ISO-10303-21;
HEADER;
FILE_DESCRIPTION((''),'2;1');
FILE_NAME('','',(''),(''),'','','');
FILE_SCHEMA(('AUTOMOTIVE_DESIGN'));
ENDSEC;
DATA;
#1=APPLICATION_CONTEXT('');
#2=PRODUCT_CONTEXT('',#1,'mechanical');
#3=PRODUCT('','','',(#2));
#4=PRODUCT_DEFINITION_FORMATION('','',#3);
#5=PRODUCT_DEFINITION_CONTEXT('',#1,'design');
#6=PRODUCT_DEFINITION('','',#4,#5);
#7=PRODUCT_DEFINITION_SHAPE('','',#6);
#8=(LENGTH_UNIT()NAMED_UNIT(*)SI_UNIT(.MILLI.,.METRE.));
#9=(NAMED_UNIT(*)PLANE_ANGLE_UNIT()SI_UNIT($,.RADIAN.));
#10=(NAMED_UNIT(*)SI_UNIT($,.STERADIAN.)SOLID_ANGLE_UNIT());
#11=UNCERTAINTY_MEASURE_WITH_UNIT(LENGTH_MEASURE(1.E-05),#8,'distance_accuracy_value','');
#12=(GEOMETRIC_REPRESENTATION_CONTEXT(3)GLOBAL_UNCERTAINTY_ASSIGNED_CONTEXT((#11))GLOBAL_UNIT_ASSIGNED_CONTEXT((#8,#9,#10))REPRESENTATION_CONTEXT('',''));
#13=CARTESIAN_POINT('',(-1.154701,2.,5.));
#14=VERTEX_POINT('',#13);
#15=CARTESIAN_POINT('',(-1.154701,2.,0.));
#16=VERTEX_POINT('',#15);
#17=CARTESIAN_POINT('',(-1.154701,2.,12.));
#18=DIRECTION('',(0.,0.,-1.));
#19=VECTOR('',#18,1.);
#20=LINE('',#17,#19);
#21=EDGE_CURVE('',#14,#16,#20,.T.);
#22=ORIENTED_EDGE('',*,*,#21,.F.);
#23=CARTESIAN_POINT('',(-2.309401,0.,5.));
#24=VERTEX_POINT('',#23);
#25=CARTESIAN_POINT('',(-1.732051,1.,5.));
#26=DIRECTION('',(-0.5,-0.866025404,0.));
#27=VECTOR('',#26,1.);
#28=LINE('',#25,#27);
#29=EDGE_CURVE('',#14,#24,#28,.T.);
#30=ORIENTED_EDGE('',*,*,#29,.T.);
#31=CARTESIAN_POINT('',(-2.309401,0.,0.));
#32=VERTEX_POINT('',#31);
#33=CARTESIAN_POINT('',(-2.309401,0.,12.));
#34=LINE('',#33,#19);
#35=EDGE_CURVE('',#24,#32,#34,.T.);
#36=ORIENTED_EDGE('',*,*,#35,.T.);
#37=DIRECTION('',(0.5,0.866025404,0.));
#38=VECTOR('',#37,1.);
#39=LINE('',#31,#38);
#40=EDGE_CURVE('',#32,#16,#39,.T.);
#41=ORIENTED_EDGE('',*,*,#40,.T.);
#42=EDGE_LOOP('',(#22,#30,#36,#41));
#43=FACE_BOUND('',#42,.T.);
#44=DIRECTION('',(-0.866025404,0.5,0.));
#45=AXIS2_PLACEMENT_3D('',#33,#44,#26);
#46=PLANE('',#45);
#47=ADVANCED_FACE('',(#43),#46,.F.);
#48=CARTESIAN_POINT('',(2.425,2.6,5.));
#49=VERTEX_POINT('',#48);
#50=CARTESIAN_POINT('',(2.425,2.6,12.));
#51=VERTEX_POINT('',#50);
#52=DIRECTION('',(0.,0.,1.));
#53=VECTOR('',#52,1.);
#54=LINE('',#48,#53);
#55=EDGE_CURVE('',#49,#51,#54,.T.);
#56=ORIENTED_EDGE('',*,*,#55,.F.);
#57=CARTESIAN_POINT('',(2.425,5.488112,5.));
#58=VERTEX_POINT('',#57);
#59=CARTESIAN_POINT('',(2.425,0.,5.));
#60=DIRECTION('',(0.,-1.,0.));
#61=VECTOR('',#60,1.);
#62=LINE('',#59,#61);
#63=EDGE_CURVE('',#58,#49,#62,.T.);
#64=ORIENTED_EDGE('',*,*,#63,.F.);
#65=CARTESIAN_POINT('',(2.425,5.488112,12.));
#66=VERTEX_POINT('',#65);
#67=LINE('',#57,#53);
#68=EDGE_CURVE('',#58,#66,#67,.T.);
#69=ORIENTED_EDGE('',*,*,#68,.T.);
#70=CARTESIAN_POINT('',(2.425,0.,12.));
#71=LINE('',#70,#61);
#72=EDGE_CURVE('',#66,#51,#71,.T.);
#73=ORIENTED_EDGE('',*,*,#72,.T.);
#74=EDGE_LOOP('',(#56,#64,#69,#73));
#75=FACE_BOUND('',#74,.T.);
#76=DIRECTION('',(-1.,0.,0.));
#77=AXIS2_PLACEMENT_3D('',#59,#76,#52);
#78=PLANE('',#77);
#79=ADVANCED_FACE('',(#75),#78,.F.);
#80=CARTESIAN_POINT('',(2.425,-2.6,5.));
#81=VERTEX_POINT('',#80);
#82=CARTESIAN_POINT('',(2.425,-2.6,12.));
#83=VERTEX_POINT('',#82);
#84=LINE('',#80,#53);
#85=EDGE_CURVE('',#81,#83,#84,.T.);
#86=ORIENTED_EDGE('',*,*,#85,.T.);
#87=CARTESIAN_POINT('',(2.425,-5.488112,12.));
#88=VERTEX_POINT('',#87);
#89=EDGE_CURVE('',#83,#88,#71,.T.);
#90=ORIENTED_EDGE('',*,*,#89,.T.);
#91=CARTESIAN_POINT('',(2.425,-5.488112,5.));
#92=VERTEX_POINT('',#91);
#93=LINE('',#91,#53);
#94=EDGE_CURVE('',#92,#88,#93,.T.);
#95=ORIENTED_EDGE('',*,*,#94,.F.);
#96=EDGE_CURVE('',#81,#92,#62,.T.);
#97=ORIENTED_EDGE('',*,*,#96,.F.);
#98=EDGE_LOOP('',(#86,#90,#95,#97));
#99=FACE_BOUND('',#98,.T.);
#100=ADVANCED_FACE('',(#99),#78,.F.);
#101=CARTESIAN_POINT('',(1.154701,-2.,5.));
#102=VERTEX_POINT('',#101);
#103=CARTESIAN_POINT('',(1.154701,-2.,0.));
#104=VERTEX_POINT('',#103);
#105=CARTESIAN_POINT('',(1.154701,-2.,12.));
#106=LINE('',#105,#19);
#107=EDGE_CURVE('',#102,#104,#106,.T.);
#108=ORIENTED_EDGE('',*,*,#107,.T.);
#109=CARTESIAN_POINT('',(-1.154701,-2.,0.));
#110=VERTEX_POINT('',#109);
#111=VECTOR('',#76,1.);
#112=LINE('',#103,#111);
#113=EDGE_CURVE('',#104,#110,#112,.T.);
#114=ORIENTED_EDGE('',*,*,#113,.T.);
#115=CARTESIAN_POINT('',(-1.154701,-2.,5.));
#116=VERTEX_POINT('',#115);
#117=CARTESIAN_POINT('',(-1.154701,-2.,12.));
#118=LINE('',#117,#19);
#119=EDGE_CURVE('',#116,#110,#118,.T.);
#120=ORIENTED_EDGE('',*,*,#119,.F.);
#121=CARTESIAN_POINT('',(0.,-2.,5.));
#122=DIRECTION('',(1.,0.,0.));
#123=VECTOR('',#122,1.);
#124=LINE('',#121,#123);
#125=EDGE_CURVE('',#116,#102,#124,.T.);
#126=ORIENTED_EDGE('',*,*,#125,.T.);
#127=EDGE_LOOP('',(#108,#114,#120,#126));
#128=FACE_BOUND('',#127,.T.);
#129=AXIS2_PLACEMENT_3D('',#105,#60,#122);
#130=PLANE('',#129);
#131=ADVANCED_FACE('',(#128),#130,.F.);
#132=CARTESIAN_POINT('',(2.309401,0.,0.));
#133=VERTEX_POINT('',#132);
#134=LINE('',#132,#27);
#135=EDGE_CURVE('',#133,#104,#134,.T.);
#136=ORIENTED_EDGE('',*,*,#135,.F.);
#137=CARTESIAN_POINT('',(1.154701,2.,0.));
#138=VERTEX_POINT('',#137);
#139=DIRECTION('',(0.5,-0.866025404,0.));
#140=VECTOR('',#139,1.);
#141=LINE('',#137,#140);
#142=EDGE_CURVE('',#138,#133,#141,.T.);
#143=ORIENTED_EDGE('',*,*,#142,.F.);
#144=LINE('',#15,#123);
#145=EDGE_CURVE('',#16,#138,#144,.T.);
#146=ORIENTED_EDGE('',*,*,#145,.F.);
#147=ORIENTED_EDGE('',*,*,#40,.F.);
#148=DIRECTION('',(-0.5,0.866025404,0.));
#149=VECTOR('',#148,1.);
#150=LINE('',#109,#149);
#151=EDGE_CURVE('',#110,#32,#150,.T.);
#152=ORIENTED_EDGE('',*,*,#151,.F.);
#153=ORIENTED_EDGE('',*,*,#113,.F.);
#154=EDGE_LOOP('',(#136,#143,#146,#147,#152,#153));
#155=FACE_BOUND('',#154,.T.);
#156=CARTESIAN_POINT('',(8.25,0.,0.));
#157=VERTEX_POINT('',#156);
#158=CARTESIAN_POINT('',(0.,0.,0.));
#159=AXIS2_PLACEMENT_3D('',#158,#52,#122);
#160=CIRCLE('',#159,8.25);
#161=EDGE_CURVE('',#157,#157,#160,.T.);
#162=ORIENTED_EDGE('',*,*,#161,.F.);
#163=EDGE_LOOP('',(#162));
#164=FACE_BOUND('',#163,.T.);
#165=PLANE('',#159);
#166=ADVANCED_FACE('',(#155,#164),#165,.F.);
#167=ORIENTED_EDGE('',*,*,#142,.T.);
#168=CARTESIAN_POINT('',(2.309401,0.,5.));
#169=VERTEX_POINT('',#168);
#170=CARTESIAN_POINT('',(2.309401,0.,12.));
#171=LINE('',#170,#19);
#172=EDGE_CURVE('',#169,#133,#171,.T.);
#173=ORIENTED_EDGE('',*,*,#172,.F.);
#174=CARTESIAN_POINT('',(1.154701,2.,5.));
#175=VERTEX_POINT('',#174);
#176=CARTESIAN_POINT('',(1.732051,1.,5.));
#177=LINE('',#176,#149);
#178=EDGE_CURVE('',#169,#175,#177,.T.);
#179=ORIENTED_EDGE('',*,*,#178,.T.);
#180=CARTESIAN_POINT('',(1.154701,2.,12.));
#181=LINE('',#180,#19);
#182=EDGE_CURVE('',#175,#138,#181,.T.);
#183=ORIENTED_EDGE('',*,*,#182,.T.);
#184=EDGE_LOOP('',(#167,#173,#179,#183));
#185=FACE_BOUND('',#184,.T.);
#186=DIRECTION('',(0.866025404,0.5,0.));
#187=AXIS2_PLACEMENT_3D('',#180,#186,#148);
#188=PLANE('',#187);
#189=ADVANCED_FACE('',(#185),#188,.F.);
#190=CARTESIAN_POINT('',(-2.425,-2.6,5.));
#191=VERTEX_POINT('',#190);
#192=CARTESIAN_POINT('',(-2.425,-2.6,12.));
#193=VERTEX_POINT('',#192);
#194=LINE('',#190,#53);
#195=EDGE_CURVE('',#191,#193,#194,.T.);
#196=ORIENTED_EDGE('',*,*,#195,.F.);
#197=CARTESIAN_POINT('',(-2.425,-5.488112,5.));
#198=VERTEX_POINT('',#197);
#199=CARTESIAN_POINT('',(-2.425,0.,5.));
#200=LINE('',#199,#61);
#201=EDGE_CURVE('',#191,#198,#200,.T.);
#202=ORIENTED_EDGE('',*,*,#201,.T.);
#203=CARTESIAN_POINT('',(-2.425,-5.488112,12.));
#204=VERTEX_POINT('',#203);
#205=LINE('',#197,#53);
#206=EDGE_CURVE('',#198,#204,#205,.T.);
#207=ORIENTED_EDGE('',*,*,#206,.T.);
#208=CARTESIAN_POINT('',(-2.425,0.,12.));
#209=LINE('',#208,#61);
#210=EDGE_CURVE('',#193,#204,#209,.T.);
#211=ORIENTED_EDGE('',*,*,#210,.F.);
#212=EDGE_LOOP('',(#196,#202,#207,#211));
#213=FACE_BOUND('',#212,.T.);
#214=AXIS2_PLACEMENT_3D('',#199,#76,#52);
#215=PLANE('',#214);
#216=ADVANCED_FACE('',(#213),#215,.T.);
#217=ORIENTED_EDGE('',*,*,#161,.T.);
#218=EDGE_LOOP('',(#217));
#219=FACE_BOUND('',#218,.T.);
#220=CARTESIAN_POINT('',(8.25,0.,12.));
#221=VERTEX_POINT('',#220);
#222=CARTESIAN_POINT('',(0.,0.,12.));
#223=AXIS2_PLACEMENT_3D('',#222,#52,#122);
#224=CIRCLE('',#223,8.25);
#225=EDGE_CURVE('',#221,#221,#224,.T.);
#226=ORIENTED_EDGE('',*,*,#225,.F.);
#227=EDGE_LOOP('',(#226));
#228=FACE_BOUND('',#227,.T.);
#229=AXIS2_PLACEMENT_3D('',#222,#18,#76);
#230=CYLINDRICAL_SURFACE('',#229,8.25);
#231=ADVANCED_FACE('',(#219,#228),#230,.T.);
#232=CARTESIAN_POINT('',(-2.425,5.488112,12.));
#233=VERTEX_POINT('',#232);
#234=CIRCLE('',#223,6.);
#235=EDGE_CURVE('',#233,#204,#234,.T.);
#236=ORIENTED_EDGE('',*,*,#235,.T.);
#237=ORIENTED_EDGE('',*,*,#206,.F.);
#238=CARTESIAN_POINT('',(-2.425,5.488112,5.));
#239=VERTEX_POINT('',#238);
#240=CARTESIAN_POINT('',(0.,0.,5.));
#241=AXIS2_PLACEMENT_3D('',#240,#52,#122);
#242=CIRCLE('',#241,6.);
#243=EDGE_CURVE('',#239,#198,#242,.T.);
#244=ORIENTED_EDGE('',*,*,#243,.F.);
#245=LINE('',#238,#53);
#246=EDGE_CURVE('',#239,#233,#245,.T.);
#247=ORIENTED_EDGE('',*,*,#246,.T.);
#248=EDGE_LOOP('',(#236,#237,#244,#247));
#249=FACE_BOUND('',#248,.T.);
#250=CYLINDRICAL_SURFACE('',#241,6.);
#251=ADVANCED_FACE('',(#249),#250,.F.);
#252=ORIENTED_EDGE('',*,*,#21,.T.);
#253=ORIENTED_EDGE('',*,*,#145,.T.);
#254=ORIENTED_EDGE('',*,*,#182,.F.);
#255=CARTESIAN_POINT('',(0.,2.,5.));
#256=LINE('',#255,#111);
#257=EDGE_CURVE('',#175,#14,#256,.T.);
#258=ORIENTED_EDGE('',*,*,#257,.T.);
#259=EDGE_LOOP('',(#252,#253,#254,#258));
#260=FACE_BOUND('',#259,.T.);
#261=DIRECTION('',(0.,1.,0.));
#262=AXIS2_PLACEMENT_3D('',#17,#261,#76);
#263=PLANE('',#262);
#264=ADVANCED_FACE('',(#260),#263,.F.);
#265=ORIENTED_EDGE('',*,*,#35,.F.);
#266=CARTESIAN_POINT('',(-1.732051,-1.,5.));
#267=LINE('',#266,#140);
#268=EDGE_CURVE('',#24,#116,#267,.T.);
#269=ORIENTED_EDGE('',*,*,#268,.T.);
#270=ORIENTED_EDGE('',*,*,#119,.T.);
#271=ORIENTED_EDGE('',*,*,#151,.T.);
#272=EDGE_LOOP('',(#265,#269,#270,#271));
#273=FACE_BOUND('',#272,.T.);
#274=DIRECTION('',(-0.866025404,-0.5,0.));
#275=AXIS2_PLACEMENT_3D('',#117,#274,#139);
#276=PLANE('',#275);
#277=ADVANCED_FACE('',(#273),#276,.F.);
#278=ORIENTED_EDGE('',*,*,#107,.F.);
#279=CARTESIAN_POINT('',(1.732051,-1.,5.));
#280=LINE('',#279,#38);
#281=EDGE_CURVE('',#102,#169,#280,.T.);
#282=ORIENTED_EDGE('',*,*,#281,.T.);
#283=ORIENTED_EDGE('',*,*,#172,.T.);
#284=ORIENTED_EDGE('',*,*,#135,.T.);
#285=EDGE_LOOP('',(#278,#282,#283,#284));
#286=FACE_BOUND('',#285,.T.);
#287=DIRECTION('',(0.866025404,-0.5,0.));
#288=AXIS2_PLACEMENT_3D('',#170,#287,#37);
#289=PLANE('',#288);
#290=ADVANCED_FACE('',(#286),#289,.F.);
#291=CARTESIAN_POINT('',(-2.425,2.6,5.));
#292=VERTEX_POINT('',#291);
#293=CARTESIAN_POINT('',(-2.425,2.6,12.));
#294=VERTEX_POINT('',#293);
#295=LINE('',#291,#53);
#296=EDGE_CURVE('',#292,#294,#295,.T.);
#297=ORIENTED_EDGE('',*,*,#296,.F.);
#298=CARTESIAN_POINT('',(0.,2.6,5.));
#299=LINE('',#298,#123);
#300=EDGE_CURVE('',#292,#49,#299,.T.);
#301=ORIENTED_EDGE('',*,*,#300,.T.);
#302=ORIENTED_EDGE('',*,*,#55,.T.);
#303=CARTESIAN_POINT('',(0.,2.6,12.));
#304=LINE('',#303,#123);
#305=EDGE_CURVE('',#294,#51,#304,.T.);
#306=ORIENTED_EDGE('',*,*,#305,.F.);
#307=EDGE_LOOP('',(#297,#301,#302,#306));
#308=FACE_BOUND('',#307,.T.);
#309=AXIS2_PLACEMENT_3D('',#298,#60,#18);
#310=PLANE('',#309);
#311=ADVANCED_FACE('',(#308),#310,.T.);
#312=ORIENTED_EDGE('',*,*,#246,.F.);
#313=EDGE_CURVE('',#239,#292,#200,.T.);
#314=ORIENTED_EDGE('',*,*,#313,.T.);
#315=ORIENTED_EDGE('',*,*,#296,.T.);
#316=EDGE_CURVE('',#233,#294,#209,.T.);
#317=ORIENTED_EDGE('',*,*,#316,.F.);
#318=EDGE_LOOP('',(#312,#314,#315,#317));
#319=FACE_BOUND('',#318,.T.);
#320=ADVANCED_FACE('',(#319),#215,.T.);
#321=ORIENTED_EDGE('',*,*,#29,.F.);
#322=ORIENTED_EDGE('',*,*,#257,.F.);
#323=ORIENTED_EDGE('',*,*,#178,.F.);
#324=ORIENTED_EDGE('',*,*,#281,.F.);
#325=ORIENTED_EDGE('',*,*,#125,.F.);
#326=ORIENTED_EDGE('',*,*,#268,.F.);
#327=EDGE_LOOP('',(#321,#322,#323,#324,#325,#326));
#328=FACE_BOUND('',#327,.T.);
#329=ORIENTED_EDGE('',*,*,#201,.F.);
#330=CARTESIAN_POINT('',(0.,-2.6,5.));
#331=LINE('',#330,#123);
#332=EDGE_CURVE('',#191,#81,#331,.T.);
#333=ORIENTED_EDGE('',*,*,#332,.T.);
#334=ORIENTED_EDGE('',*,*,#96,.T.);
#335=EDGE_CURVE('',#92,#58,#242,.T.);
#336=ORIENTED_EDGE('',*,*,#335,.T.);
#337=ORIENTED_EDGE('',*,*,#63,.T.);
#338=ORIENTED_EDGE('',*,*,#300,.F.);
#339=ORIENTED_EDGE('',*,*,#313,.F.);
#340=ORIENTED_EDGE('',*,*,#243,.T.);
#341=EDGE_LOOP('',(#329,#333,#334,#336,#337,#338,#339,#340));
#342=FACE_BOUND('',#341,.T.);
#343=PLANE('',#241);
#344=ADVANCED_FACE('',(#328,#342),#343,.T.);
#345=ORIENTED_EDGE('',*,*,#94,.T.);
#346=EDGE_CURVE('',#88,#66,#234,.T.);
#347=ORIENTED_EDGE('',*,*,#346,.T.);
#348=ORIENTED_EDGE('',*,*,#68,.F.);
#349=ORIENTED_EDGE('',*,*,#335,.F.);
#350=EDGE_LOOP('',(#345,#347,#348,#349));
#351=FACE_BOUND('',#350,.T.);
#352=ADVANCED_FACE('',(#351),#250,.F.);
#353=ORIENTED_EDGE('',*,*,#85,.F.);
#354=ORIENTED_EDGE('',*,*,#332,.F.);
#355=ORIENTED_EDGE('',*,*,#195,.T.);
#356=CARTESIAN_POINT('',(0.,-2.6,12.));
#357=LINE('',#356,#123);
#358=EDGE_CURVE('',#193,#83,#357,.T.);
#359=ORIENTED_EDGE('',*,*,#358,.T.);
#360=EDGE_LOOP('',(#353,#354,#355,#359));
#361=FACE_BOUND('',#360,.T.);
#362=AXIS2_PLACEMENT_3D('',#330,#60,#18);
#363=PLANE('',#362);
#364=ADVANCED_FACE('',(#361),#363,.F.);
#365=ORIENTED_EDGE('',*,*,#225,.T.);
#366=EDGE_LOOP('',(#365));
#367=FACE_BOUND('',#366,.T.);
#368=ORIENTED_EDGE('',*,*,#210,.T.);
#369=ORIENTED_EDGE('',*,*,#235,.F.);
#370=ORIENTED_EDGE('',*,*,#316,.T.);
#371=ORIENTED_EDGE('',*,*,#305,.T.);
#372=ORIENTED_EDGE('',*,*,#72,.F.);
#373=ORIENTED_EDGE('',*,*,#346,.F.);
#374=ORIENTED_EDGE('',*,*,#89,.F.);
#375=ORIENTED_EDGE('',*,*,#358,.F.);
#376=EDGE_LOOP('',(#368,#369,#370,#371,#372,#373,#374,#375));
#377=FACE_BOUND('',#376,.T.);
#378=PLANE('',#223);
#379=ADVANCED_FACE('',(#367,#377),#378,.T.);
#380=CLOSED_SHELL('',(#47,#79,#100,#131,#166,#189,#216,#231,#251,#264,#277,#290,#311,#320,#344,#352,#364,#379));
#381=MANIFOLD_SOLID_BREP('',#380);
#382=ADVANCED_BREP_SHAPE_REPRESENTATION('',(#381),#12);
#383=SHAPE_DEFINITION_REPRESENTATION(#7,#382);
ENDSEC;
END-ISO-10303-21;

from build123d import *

# Parameters (mm, degrees)
SKETCH1_R           = 8.25
BOSS_EXTRUDE1_DEPTH = 12
CUT_EXTRUDE1_DEPTH  = 7
CUT_EXTRUDE2_DEPTH  = 17.736935203


with BuildPart() as part:
    # Sketch1 → Boss-Extrude1 (new body)
    with BuildSketch(Plane.XY):
        Circle(SKETCH1_R)
    extrude(amount=BOSS_EXTRUDE1_DEPTH)

    # Sketch2 → Cut-Extrude1 (cut)
    with BuildSketch(Plane.XY.offset(12)):
        with BuildLine():
            Line((-2.425, 2.6), (-2.425, 5.488112153))
            ThreePointArc((-2.425, 5.488112153), (-6, 0), (-2.425, -5.488112153))
            Line((-2.425, -5.488112153), (-2.425, -2.6))
            Line((-2.425, -2.6), (2.425, -2.6))
            Line((2.425, -2.6), (2.425, -5.488112153))
            ThreePointArc((2.425, -5.488112153), (5.027424788, -3.274904579), (6, 0))
            ThreePointArc((6, 0), (5.027424788, 3.274904579), (2.425, 5.488112153))
            Line((2.425, 5.488112153), (2.425, 2.6))
            Line((2.425, 2.6), (-2.425, 2.6))
        make_face()
    extrude(amount=-CUT_EXTRUDE1_DEPTH, mode=Mode.SUBTRACT)

    # Sketch3 → Cut-Extrude2 (cut, through all)
    with BuildSketch(Plane(origin=(0, 0, 0), x_dir=(-1, 0, 0), z_dir=(0, 0, -1))):
        Polygon((2.309401077, 0), (1.154700538, 2), (-1.154700538, 2), (-2.309401077, 0), (-1.154700538, -2), (1.154700538, -2), align=None)
    extrude(amount=-CUT_EXTRUDE2_DEPTH, mode=Mode.SUBTRACT)


solid = part.part
